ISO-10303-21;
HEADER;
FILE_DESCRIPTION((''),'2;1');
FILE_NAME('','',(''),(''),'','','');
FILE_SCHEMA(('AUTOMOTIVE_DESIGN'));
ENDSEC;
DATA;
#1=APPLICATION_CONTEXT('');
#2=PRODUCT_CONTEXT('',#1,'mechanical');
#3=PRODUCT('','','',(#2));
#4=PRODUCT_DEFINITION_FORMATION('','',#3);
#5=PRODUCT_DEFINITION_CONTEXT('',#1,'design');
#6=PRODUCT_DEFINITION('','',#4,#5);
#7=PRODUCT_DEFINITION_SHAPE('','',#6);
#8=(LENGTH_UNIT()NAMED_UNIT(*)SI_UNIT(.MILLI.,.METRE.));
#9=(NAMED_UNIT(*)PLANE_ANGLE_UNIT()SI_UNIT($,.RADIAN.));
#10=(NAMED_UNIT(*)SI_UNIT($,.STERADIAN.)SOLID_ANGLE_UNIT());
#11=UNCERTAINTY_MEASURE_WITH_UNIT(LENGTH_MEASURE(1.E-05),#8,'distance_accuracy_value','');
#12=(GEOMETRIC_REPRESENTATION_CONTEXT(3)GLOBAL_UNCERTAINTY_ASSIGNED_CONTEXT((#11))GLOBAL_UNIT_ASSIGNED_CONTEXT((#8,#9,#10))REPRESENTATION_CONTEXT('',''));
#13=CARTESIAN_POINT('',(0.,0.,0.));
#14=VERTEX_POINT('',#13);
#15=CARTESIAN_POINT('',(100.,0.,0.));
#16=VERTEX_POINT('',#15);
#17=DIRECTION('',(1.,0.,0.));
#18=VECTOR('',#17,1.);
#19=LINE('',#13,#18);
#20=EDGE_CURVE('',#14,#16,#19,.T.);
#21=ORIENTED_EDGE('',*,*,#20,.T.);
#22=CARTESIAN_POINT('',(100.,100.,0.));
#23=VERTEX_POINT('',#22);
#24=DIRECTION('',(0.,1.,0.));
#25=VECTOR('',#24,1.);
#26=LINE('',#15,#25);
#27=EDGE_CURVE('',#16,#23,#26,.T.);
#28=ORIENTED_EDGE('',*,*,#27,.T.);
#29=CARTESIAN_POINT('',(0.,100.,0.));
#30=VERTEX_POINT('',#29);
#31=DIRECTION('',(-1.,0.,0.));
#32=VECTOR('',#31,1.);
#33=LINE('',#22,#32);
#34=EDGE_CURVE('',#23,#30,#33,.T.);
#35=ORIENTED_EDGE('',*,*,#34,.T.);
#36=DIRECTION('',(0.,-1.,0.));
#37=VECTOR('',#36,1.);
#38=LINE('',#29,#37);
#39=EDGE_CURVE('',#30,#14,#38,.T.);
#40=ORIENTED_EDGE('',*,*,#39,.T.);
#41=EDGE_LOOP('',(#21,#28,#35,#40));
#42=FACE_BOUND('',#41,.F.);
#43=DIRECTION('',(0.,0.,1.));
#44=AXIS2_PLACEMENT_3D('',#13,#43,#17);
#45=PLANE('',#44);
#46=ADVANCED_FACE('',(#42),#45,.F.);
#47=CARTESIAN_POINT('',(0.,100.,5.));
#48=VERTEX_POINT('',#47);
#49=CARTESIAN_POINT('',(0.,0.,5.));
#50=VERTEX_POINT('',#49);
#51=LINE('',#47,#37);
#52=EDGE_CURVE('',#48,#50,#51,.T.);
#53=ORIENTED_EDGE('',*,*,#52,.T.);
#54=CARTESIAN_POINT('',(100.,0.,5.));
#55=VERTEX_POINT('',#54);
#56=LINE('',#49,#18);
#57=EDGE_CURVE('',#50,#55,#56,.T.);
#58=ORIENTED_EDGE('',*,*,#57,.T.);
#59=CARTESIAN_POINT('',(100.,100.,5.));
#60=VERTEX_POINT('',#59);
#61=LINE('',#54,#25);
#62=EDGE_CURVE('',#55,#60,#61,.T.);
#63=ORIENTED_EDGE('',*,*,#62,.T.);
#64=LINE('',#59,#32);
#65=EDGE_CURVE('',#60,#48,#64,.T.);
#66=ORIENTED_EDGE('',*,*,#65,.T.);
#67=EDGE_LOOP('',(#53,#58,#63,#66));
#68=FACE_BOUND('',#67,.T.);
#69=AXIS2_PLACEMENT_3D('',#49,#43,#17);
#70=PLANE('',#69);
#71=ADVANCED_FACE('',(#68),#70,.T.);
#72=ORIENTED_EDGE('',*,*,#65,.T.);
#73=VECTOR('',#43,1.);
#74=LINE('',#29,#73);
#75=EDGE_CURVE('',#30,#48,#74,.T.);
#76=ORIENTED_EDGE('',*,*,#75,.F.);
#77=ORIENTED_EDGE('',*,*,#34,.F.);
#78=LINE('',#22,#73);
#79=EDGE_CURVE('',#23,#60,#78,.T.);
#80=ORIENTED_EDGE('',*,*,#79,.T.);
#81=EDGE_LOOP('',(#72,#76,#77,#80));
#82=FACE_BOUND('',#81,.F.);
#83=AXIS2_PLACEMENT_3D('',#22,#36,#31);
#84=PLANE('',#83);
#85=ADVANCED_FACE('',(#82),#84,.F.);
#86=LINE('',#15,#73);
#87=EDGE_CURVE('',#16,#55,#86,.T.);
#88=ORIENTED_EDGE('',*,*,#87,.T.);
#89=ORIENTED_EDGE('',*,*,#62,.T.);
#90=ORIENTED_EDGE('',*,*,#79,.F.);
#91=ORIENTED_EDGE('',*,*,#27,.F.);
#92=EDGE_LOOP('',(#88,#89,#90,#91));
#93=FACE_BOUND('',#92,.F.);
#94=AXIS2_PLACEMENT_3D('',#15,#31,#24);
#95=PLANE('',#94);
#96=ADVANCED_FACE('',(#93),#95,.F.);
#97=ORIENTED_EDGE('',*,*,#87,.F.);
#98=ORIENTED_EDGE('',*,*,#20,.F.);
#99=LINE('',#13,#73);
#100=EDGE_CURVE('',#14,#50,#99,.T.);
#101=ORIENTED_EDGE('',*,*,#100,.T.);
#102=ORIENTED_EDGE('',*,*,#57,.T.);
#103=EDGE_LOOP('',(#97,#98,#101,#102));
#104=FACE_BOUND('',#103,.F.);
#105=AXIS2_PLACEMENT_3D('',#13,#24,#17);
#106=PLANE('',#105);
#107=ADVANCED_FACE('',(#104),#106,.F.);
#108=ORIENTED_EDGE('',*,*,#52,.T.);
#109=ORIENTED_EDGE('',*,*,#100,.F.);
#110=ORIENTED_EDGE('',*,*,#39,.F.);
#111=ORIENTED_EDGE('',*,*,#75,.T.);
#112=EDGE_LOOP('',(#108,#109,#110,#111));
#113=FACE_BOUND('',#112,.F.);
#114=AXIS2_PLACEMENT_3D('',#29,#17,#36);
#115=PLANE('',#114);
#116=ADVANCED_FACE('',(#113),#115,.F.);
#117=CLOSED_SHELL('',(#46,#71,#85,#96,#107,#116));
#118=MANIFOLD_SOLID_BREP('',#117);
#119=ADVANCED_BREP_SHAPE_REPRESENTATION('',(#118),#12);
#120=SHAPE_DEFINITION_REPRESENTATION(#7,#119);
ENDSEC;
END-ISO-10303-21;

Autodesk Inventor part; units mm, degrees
ref_plane "YZ Plane" through (0, 0, 0) normal (1, 0, 0) x (0, 1, 0)
ref_plane "XZ Plane" through (0, 0, 0) normal (0, 1, 0) x (-1, 0, 0)
ref_plane "XY Plane" through (0, 0, 0) normal (0, 0, 1) x (1, 0, 0)
sketch "Sketch1" plane through (0, 0, 0) normal (0, 0, 1) x (1, 0, 0)
  line L0 (0, 0) -> (100, 0)
  line L1 (100, 0) -> (100, 100)
  line L2 (100, 100) -> (0, 100)
  line L3 (0, 100) -> (0, 0)
  dimension "d0" = 100
  dimension "d1" = 100
extrude "Extrusion1" add sketch "Sketch1" along normal blind 5
properties part number "SUPPORT ATTACHMENT" material "Steel, Mild"
